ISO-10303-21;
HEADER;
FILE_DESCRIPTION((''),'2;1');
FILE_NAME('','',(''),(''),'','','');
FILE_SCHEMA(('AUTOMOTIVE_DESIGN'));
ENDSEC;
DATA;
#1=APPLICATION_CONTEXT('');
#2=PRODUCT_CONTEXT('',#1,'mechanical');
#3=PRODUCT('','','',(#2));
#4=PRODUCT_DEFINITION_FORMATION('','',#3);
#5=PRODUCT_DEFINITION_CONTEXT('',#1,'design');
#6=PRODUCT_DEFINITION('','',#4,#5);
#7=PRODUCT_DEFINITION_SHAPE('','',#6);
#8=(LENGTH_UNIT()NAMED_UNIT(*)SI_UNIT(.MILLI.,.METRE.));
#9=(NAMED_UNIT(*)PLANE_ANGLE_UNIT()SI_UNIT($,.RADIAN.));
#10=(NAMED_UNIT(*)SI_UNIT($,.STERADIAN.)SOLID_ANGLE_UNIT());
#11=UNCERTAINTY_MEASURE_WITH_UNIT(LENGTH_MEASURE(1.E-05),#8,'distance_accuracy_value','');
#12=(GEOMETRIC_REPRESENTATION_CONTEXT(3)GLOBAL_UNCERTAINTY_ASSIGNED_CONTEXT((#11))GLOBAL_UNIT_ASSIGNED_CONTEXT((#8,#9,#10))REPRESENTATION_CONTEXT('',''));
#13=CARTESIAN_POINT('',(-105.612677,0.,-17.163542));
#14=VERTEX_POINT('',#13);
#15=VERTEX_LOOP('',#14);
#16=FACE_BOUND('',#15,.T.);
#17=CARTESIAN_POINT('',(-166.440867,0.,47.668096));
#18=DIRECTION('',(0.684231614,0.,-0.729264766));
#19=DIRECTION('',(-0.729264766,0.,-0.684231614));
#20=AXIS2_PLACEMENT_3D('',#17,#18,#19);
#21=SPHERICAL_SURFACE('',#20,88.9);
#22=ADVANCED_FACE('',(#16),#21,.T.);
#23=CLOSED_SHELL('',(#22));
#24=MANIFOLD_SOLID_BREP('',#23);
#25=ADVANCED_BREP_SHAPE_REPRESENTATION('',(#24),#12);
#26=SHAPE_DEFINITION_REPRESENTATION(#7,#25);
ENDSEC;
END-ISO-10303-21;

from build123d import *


with BuildPart() as part:
    # Sketch1 → Revolve4 (revolve)
    with BuildSketch(Plane(origin=(0, 0, 0), x_dir=(1, 0, 0), z_dir=(0, 1, 0))):
        with BuildLine():
            Line((-105.612676825, 17.163541982), (-227.26905777, -112.499733372))
            ThreePointArc((-227.26905777, -112.499733372), (-231.272504974, 13.160094777), (-105.612676825, 17.163541982))
        make_face()
    revolve(axis=Axis((-227.26905777, 0, 112.499733372), (0.684231614, 0, -0.729264766)))


solid = part.part
